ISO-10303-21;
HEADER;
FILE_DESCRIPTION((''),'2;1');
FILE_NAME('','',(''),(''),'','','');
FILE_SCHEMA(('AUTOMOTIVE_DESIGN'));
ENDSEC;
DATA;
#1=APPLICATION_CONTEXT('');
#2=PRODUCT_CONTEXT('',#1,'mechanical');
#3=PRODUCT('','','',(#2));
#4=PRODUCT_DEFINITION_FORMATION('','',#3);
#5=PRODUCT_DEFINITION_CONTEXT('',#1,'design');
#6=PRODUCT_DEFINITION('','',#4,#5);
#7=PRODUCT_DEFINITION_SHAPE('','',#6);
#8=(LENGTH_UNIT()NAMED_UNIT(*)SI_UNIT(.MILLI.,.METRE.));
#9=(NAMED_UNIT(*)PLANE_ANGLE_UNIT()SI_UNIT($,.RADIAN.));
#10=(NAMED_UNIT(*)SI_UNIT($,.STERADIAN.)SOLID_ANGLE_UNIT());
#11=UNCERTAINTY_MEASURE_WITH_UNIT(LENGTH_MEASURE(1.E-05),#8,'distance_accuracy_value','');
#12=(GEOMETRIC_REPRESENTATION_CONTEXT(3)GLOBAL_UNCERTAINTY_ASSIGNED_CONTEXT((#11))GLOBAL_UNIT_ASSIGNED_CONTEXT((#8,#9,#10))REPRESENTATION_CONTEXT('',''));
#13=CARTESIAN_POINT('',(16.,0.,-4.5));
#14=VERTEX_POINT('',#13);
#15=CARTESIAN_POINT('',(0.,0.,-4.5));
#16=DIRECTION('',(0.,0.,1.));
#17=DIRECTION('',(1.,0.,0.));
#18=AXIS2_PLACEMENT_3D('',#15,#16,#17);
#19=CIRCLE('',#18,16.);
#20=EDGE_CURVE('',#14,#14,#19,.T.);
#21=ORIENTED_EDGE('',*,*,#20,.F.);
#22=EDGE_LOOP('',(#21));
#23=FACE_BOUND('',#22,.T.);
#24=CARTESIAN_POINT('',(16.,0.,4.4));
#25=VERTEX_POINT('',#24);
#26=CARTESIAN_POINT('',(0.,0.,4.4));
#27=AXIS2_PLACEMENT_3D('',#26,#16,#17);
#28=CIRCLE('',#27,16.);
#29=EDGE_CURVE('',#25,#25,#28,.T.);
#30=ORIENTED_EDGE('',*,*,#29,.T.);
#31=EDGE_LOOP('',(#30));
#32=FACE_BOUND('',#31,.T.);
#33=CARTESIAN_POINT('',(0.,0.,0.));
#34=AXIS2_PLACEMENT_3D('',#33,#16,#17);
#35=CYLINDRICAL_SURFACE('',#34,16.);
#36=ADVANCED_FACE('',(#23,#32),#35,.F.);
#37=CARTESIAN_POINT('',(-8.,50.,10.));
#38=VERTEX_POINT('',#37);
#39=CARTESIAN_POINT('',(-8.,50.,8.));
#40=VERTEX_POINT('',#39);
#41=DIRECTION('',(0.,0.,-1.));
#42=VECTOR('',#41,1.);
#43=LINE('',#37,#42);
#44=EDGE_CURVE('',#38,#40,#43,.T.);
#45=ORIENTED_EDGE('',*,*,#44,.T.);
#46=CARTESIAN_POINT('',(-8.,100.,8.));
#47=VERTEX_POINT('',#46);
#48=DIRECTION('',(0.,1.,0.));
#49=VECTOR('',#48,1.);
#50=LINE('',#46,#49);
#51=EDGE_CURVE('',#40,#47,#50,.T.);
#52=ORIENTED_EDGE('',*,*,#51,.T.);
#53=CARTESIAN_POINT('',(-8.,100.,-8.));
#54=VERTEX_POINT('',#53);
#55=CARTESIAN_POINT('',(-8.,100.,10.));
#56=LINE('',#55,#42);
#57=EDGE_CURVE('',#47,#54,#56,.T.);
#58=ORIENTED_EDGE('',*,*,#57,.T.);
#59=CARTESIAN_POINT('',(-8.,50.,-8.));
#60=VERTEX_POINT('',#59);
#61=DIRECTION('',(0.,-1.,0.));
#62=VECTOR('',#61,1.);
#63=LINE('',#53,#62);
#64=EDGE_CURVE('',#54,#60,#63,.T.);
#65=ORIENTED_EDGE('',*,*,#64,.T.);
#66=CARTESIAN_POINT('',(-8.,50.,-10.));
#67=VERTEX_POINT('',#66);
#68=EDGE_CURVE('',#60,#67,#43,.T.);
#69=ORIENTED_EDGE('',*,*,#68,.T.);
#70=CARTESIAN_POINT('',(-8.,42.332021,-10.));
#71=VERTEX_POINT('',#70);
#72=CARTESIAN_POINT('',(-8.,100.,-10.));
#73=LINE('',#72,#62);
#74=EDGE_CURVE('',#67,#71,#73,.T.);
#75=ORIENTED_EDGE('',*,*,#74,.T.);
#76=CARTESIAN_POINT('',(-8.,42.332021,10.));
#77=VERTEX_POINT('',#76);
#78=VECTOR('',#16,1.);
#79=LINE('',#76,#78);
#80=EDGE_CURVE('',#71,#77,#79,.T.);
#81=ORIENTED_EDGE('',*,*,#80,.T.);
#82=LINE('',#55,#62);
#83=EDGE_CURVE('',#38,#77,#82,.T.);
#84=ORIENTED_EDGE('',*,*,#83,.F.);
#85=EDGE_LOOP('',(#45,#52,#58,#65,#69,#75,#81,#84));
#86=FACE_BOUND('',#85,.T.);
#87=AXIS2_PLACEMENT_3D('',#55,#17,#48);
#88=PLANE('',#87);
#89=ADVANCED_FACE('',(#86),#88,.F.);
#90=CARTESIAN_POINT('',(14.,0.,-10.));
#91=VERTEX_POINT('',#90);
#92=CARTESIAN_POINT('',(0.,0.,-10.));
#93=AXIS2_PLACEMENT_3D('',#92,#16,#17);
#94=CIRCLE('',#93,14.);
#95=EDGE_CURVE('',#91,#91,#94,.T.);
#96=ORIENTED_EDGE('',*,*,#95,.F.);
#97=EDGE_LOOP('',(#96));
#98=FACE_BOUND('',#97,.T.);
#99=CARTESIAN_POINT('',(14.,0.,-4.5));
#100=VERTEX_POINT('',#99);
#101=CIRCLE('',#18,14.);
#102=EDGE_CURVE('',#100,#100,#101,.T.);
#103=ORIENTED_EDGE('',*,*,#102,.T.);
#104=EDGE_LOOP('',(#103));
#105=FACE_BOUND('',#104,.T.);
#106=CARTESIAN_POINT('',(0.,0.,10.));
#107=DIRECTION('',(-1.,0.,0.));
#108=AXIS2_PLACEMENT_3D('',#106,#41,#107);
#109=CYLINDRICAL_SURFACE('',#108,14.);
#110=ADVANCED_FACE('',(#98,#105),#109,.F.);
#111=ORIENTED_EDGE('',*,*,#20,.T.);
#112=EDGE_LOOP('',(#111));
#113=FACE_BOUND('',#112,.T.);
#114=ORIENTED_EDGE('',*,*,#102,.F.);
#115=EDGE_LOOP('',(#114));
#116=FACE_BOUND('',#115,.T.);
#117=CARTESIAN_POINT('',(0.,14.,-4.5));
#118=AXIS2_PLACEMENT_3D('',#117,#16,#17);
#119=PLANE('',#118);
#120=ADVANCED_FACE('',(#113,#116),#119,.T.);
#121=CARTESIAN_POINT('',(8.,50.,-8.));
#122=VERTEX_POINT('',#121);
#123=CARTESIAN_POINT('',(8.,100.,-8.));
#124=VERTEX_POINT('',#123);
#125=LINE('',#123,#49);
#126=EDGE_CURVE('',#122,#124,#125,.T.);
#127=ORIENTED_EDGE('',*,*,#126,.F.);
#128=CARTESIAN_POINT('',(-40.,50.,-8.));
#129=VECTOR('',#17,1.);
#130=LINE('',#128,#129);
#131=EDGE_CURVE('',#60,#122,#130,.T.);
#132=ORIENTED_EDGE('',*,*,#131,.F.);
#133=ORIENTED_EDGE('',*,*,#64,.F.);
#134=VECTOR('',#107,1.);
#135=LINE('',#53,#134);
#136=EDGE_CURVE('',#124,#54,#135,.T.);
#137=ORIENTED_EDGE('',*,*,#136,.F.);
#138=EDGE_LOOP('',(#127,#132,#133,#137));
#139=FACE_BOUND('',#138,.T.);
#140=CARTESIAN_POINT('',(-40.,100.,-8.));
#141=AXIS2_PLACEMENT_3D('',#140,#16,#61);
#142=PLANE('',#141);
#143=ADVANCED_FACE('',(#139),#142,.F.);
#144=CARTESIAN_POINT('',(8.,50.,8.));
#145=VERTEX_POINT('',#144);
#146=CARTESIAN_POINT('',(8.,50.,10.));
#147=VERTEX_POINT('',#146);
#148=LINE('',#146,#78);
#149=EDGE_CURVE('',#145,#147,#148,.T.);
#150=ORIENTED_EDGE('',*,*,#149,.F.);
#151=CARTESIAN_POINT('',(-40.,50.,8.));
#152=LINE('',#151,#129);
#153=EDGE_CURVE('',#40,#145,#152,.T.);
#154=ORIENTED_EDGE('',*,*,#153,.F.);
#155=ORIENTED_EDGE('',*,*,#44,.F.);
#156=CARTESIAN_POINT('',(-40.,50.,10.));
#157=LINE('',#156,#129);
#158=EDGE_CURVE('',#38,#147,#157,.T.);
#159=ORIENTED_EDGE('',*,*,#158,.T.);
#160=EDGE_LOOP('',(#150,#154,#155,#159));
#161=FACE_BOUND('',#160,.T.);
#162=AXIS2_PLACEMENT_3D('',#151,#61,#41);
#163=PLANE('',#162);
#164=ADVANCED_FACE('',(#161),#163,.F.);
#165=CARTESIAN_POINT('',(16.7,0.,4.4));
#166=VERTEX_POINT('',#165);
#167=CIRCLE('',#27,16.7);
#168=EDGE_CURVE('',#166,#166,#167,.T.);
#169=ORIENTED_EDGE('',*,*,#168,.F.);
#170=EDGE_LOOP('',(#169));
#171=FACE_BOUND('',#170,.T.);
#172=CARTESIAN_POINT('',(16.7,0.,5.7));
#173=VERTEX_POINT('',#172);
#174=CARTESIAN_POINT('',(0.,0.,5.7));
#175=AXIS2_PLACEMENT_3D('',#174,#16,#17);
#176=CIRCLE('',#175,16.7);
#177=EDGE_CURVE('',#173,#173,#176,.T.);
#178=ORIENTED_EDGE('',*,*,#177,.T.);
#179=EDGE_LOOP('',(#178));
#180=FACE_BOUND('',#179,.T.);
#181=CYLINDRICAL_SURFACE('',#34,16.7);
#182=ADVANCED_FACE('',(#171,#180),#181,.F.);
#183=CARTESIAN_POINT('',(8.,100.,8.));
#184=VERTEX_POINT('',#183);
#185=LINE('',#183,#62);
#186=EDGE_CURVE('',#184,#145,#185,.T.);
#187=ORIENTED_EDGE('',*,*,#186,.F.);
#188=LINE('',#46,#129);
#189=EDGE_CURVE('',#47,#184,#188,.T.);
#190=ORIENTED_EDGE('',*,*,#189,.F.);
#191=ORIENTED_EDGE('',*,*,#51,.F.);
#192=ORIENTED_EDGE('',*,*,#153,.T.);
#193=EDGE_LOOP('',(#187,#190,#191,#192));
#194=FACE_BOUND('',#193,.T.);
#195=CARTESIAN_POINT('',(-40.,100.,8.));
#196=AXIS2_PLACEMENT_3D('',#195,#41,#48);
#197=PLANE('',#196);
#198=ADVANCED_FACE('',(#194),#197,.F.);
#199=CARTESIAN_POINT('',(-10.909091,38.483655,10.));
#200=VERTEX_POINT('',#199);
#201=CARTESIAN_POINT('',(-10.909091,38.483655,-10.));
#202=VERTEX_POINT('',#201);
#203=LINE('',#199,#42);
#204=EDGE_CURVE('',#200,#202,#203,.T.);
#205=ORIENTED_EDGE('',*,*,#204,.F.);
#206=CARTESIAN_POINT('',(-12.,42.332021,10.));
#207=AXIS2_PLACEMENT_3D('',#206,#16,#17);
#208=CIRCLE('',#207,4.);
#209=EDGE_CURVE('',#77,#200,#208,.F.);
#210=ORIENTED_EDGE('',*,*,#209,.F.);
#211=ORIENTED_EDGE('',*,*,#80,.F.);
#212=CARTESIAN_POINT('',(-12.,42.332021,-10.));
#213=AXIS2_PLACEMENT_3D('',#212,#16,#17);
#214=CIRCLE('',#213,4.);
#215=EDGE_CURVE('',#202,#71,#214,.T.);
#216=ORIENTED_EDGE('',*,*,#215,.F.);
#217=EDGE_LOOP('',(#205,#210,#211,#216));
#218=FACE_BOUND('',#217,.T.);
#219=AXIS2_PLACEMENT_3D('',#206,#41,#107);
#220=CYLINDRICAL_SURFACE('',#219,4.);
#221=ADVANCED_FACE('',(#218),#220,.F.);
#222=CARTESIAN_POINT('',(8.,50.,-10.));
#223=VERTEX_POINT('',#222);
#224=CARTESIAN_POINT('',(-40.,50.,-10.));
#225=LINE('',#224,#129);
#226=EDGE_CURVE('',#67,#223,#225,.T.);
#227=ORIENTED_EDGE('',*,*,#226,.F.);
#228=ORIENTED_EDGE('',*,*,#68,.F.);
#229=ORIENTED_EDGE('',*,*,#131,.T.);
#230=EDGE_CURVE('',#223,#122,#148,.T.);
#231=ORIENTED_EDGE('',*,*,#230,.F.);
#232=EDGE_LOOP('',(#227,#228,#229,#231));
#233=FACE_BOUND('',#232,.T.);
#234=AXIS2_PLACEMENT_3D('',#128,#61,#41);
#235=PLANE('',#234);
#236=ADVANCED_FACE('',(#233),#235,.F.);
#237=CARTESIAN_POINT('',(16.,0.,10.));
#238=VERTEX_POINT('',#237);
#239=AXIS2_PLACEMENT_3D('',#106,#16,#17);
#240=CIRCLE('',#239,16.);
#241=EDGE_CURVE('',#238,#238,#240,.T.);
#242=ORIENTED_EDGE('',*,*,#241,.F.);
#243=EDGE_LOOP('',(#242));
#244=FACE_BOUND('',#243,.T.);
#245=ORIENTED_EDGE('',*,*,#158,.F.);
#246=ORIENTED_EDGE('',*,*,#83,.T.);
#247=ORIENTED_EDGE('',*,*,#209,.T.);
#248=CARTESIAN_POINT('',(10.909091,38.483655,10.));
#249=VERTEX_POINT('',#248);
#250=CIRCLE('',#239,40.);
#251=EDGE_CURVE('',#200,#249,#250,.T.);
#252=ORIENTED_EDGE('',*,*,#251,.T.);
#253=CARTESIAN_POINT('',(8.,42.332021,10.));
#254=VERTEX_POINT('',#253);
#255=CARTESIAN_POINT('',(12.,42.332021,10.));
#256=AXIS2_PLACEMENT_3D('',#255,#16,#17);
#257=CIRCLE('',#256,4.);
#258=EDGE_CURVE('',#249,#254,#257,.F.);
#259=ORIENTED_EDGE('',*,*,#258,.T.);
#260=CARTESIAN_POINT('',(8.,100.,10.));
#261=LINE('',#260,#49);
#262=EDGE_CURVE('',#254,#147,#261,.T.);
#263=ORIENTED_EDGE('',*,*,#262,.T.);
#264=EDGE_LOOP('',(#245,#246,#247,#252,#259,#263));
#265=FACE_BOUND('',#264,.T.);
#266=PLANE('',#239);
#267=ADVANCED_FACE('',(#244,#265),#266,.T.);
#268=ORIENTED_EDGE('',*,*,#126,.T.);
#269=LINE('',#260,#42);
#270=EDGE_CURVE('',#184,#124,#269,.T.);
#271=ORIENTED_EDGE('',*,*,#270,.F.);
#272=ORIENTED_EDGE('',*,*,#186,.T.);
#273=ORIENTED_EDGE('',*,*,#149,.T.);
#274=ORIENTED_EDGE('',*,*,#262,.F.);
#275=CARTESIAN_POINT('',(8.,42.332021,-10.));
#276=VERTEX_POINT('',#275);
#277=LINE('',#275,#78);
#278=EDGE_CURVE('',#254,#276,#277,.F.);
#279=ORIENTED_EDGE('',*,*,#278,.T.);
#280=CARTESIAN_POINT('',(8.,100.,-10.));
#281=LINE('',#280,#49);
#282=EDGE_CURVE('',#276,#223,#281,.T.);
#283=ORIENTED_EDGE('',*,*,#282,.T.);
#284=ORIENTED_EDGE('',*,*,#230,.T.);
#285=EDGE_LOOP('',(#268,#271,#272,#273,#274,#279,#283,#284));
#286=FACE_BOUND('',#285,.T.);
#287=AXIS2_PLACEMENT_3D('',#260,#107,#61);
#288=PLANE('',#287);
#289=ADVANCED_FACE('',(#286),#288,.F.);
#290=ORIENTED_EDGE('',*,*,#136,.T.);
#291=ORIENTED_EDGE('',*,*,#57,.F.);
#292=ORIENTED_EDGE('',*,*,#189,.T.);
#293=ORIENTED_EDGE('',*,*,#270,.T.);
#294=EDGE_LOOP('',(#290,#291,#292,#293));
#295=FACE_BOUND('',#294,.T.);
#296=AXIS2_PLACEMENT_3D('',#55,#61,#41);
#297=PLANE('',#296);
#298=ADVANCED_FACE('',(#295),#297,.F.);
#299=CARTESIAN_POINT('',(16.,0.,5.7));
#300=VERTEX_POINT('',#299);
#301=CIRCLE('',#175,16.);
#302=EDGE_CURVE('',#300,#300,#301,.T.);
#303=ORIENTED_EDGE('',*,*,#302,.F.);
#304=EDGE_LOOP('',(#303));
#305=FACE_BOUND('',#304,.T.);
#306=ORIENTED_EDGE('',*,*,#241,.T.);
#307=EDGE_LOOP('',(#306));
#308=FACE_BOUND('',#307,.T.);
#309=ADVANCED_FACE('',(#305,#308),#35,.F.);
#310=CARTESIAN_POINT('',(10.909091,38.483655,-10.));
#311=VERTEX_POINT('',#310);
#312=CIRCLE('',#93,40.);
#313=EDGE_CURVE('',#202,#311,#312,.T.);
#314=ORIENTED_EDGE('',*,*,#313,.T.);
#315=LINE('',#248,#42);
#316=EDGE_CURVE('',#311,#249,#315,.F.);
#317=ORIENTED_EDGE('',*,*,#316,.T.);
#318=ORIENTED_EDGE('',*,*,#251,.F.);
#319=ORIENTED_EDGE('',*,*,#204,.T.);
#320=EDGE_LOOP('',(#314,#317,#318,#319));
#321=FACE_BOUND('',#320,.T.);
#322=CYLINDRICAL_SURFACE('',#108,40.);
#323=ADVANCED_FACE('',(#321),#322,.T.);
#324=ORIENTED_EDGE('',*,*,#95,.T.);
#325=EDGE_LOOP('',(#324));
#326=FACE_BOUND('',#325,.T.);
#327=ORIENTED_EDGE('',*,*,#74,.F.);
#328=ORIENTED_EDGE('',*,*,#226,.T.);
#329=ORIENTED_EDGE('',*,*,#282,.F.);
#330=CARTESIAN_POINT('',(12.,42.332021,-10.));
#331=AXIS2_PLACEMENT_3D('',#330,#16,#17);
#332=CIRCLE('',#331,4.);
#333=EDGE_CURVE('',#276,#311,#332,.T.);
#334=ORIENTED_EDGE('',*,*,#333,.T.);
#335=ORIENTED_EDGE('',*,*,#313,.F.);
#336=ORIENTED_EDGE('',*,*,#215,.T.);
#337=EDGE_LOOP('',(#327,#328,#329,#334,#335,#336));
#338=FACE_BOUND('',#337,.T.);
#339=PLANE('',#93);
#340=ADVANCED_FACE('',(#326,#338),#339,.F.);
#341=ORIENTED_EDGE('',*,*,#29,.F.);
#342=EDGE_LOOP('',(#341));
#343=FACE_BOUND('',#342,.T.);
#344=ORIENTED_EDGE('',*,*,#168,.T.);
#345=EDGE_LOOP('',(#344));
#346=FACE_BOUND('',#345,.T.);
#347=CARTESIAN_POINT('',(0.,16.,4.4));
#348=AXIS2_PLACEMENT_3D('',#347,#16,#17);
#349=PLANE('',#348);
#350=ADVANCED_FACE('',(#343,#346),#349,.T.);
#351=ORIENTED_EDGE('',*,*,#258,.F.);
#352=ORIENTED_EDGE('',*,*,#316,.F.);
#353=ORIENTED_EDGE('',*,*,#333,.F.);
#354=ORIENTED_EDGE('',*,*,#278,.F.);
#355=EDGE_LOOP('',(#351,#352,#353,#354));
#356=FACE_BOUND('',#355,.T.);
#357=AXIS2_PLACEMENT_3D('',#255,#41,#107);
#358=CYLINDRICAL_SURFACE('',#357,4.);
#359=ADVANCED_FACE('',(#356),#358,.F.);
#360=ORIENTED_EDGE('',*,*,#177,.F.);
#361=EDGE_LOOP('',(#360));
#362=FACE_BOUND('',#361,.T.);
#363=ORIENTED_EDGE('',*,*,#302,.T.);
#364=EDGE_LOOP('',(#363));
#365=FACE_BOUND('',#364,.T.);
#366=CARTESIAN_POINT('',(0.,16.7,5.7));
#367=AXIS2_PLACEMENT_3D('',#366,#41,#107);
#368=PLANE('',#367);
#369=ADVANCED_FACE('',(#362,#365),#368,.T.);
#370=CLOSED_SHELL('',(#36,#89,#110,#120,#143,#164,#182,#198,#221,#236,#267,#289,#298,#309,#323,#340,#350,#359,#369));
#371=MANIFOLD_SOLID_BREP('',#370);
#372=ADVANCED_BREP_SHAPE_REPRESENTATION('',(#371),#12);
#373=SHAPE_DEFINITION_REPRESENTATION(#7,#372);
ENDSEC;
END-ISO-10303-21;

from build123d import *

# Parameters (mm, degrees)
SKETCH1_R               = 40
SKETCH1_R_2             = 14
BOSS_EXTRUDE1_DEPTH     = 10
SKETCH2_W               = 16
SKETCH2_H               = 60.808164115
BOSS_EXTRUDE2_DEPTH     = 10
FILLET1_R               = 4
SKETCH3_W               = 14.5
SKETCH3_H               = 2
SKETCH4_W               = 1.3
SKETCH4_H               = 0.7
CUT_EXTRUDE1_DEPTH      = 109.166538264
CUT_EXTRUDE1_DEPTH_BACK = 109.166538264
SKETCH5_W               = 2
SKETCH5_H               = 50


with BuildPart() as part:
    # Sketch1 → Boss-Extrude1 (new, symmetric)
    with BuildSketch(Plane.XY):
        Circle(SKETCH1_R)
        Circle(SKETCH1_R_2, mode=Mode.SUBTRACT)
    extrude(amount=BOSS_EXTRUDE1_DEPTH, both=True)

    # Sketch2 → Boss-Extrude2 (add, symmetric)
    with BuildSketch(Plane.XY):
        with Locations((0, 69.595917942)):
            Rectangle(SKETCH2_W, SKETCH2_H)
    extrude(amount=BOSS_EXTRUDE2_DEPTH, both=True)

    # Fillet1
    fillet1_edges = [part.edges().sort_by_distance(p)[0] for p in [
        (-8, 39.191835885, 0),
        (8, 39.191835885, 0),
    ]]
    fillet(fillet1_edges, radius=FILLET1_R)

    # Sketch3 → Cut-Revolve1 (revolve, cut)
    with BuildSketch(Plane(origin=(0, 0, 0), x_dir=(0, 0, -1), z_dir=(1, 0, 0)), mode=Mode.PRIVATE) as cut_revolve1_sk:
        with Locations((-2.75, 15)):
            Rectangle(SKETCH3_W, SKETCH3_H)
    revolve(cut_revolve1_sk.sketch.rotate(Axis((0, 0, 0), (0, 0, -1)), 90), axis=Axis((0, 0, 0), (0, 0, -1)), mode=Mode.SUBTRACT)

    # Sketch4 → Cut-Revolve2 (revolve, cut)
    with BuildSketch(Plane(origin=(0, 0, 0), x_dir=(0, 0, -1), z_dir=(1, 0, 0)), mode=Mode.PRIVATE) as cut_revolve2_sk:
        with Locations((-5.05, 16.35)):
            Rectangle(SKETCH4_W, SKETCH4_H)
    revolve(cut_revolve2_sk.sketch.rotate(Axis((0, 0, 0), (0, 0, -1)), 90), axis=Axis((0, 0, 0), (0, 0, -1)), mode=Mode.SUBTRACT)

    # Sketch5 → Cut-Extrude1 (cut, two sides: drawn at the far end of the back side and taken through both)
    with BuildSketch(Plane(origin=(0, 0, 0), x_dir=(0, 0, -1), z_dir=(1, 0, 0)).offset(-CUT_EXTRUDE1_DEPTH_BACK)):
        with Locations((9, 75)):
            Rectangle(SKETCH5_W, SKETCH5_H)
        with Locations((-9, 75)):
            Rectangle(SKETCH5_W, SKETCH5_H)
    extrude(amount=CUT_EXTRUDE1_DEPTH + CUT_EXTRUDE1_DEPTH_BACK, mode=Mode.SUBTRACT)


solid = part.part
